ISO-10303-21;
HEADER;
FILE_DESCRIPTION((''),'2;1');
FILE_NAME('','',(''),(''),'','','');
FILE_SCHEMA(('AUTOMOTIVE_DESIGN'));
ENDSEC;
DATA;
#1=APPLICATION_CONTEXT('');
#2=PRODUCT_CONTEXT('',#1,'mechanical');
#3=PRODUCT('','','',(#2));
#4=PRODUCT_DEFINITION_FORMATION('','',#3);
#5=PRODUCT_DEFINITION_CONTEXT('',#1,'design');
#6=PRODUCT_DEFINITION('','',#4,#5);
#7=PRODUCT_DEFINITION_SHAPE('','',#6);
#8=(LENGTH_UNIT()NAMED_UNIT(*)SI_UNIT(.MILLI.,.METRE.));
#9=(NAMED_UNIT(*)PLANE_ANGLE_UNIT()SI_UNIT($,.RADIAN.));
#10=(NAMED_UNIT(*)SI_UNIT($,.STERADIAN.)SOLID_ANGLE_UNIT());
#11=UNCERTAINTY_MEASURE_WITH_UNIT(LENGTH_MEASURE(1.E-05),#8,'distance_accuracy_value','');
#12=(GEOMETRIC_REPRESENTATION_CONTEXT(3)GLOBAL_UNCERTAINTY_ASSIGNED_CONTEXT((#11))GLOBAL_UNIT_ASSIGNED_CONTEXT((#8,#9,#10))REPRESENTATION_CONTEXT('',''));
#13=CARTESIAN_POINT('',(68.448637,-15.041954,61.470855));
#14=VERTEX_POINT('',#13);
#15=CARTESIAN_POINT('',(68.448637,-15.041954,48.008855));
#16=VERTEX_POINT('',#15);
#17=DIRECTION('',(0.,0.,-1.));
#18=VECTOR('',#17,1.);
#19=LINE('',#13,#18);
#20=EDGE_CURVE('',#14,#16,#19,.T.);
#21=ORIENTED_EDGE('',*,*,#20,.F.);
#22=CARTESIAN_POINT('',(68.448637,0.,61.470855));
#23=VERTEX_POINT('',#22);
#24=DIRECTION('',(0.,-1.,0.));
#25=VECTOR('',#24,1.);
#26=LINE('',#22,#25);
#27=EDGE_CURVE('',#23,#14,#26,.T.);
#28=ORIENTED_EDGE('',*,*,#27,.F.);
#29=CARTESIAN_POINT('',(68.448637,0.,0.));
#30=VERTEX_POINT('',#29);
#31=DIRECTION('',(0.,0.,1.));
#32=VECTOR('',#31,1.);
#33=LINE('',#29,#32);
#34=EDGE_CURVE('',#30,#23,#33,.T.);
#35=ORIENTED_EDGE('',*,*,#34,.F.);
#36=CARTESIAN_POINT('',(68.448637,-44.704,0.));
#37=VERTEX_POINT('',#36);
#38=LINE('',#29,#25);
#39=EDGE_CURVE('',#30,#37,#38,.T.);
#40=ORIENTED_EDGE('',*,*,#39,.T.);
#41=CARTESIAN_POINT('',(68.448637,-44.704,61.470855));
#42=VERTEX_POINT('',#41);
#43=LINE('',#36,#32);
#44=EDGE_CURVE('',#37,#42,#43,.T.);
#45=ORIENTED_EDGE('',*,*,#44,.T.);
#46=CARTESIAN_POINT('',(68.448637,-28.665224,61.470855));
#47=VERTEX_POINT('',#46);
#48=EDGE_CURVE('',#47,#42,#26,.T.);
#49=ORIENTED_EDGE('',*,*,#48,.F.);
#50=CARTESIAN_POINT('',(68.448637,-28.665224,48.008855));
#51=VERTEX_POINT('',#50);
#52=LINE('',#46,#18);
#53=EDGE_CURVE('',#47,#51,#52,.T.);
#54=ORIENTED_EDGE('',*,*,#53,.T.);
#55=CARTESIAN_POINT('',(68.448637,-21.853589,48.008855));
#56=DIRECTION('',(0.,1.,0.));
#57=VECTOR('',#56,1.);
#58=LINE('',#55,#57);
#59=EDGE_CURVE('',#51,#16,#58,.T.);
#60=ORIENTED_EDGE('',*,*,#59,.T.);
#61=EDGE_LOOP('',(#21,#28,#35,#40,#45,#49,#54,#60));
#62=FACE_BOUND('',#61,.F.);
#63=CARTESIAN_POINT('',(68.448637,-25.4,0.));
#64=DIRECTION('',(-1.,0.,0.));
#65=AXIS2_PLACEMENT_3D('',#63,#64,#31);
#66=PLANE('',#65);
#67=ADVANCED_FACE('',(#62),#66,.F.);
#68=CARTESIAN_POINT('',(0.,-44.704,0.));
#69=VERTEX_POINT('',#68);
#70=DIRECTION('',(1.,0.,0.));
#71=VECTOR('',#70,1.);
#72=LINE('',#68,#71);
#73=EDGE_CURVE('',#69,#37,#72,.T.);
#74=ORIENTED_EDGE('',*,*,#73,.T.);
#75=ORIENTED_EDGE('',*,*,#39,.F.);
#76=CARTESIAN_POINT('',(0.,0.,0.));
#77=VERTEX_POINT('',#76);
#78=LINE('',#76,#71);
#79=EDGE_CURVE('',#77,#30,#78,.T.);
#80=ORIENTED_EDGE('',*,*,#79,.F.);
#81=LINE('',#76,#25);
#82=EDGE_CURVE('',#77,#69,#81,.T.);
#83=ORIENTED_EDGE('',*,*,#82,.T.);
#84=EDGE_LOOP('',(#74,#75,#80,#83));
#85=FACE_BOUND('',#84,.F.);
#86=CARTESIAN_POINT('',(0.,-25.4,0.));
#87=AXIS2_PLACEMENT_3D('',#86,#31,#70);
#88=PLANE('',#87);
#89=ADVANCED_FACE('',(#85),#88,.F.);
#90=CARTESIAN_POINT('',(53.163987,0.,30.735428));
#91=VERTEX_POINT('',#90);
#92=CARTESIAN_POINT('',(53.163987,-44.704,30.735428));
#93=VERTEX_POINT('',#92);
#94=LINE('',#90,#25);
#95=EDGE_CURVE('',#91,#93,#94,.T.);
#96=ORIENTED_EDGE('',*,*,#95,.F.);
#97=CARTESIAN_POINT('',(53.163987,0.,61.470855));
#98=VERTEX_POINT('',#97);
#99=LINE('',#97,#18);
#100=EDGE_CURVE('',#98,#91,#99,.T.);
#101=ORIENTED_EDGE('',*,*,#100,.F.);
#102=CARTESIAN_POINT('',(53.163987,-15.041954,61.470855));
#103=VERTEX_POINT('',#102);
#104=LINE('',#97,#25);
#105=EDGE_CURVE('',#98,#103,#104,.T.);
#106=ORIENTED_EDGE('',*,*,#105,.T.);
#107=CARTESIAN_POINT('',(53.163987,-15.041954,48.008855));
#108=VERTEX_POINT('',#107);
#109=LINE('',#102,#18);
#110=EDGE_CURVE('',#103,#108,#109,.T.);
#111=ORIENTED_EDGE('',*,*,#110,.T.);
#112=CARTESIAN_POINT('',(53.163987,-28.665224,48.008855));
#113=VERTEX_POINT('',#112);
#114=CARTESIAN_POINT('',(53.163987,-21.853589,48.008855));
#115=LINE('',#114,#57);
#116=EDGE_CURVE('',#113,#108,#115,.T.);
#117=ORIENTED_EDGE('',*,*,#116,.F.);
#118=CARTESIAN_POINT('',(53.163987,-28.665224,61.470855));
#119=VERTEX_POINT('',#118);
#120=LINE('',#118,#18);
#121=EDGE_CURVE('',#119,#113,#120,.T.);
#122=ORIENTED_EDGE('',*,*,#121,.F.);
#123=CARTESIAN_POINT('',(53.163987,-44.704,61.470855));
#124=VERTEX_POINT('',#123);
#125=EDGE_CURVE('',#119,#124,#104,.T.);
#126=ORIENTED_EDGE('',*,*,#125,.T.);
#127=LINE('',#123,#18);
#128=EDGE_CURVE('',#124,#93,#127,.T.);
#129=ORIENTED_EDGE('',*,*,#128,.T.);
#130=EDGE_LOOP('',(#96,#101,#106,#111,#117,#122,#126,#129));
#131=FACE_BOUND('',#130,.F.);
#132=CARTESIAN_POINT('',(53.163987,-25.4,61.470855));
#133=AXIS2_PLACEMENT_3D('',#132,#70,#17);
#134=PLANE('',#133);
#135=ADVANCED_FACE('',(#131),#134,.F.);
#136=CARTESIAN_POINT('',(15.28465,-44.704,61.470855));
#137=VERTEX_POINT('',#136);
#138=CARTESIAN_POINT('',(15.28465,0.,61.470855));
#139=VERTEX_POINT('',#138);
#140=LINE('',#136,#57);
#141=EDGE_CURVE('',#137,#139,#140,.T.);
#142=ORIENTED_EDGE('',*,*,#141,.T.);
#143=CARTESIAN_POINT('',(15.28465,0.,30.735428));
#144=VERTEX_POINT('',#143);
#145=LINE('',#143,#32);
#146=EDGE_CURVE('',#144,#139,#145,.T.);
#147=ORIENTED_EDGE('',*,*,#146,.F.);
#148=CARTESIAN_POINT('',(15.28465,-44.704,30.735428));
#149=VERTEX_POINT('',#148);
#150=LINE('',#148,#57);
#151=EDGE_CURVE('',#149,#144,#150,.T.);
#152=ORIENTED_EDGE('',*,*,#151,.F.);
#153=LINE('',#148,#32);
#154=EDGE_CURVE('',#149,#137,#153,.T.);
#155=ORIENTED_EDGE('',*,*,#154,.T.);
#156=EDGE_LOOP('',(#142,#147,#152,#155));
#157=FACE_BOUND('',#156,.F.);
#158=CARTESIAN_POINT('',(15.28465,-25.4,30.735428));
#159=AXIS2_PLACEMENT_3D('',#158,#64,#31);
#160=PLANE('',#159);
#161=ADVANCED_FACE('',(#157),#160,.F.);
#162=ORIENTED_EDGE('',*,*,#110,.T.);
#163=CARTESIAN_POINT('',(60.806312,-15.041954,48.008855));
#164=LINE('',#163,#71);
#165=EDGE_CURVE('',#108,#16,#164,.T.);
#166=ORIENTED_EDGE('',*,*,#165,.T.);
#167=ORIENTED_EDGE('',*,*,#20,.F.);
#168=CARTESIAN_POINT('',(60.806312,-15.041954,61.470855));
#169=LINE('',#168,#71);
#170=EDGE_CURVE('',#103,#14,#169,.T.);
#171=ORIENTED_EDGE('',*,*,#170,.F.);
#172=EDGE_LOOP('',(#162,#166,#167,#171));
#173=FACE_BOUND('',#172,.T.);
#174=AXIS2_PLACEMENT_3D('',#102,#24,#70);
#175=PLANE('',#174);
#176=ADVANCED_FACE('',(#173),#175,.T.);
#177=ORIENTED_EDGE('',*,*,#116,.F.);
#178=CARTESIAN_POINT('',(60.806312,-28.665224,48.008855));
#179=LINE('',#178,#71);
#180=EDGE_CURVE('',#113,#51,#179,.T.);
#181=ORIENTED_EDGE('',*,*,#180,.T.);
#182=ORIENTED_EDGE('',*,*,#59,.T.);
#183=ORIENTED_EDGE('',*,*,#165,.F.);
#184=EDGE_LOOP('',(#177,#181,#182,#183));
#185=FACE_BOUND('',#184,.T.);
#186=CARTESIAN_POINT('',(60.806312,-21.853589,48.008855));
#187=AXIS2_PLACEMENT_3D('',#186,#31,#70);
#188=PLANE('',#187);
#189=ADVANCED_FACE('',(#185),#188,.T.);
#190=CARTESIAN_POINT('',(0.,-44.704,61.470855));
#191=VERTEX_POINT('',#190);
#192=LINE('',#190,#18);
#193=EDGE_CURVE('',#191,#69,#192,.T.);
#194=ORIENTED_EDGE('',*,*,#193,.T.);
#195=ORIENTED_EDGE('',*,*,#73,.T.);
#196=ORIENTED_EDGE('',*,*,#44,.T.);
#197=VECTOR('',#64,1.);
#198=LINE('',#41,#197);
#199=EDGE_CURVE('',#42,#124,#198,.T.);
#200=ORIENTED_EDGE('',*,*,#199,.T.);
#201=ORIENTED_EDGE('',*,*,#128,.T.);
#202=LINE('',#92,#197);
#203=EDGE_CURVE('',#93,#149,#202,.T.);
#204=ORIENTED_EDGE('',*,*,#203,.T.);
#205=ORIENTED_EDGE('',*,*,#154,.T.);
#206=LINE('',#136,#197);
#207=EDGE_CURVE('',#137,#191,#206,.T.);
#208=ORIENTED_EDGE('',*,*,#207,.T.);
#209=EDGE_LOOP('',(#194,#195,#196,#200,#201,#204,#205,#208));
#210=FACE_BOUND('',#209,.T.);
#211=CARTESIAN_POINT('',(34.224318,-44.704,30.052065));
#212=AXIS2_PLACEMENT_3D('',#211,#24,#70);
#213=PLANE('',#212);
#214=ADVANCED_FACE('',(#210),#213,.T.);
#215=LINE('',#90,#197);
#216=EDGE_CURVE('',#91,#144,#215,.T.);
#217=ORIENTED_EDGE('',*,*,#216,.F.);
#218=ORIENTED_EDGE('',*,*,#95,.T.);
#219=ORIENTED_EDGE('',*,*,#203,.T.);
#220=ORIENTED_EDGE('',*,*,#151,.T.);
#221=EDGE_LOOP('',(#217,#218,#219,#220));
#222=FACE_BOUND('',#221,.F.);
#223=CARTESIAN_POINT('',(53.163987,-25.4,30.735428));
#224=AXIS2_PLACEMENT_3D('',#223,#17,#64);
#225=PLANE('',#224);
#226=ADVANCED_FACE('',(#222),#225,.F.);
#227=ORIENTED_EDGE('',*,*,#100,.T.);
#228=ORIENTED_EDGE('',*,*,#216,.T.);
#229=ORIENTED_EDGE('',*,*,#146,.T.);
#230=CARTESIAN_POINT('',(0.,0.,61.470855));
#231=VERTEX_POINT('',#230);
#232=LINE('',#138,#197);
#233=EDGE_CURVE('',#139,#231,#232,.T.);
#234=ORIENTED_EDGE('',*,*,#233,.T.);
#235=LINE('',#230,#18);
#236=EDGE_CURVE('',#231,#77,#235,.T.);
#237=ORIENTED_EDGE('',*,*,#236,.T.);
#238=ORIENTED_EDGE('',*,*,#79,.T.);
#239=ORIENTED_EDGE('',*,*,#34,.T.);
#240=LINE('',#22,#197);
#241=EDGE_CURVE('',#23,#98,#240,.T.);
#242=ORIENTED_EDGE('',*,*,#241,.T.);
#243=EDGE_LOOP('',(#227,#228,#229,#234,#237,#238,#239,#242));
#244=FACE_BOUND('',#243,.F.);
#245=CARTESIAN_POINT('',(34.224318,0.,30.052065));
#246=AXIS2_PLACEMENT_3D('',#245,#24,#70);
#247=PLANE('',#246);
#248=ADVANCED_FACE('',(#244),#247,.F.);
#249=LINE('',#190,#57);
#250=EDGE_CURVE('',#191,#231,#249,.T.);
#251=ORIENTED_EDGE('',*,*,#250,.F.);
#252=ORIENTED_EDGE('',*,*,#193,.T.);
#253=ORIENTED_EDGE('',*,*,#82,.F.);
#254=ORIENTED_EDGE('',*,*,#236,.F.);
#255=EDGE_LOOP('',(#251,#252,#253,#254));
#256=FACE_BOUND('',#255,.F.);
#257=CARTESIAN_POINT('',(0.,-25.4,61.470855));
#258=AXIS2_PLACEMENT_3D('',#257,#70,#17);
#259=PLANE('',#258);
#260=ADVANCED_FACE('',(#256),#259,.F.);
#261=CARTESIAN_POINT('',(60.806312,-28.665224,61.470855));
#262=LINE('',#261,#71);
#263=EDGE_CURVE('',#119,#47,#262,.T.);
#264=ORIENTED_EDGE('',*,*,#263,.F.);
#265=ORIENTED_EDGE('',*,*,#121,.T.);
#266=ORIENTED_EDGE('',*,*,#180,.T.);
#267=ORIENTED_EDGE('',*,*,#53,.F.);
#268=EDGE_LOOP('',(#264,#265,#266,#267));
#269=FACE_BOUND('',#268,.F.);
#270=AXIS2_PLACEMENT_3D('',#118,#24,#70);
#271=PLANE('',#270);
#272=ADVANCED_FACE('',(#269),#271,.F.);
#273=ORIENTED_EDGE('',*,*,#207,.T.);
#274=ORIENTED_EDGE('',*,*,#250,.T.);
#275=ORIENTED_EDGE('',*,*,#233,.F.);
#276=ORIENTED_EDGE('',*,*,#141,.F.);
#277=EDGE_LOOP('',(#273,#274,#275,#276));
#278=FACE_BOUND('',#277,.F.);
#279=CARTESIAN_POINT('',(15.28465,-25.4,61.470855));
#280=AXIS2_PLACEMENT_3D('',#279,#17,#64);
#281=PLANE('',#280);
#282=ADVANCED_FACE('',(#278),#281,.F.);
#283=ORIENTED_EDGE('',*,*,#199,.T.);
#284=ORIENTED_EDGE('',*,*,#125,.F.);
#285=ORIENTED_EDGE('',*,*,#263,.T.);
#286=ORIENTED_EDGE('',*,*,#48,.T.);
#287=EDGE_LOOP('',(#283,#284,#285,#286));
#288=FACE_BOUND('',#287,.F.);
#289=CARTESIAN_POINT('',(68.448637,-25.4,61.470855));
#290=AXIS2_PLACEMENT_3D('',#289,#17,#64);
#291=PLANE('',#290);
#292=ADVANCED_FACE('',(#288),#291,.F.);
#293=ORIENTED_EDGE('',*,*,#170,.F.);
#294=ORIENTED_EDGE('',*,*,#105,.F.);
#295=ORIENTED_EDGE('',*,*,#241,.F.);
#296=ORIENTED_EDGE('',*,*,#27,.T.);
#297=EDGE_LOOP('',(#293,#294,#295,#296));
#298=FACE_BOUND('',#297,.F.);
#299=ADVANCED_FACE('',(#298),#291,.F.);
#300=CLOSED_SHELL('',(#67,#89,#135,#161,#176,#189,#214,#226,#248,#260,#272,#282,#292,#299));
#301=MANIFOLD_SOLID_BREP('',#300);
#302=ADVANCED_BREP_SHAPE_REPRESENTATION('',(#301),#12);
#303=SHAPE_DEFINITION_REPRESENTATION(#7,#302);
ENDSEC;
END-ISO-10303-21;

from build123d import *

# Parameters (mm, degrees)
F1_DEPTH = 25.4
F2_DEPTH = 19.304
F3_W     = 15.2846500278
F3_H     = 13.6232702062
F4_DEPTH = 13.462


with BuildPart() as f1:
    # F0 (on Front) → F1 (new body)
    with BuildSketch(Plane.XZ):
        Polygon((0, 61.4708550274), (0, 0), (68.4486366808, 0), (68.4486366808, 61.4708550274), (53.1639866531, 61.4708550274), (53.1639866531, 30.7354275137), (15.2846500278, 30.7354275137), (15.2846500278, 61.4708550274), align=None)
    extrude(amount=F1_DEPTH)

    # F2 (add): a face of the model
    f2_faces = [f1.faces().sort_by_distance(p)[0] for p in [
        (34.2243183404, -25.4, 24.8565047474),
    ]]
    extrude(f2_faces, amount=F2_DEPTH)

    # F3 (on face) → F4 (cut)
    with BuildSketch(Plane.XY.offset(61.4708550274)):
        with Locations((60.806311667, -21.8535889871)):
            Rectangle(F3_W, F3_H)
    extrude(amount=-F4_DEPTH, mode=Mode.SUBTRACT)


solid = f1.part
